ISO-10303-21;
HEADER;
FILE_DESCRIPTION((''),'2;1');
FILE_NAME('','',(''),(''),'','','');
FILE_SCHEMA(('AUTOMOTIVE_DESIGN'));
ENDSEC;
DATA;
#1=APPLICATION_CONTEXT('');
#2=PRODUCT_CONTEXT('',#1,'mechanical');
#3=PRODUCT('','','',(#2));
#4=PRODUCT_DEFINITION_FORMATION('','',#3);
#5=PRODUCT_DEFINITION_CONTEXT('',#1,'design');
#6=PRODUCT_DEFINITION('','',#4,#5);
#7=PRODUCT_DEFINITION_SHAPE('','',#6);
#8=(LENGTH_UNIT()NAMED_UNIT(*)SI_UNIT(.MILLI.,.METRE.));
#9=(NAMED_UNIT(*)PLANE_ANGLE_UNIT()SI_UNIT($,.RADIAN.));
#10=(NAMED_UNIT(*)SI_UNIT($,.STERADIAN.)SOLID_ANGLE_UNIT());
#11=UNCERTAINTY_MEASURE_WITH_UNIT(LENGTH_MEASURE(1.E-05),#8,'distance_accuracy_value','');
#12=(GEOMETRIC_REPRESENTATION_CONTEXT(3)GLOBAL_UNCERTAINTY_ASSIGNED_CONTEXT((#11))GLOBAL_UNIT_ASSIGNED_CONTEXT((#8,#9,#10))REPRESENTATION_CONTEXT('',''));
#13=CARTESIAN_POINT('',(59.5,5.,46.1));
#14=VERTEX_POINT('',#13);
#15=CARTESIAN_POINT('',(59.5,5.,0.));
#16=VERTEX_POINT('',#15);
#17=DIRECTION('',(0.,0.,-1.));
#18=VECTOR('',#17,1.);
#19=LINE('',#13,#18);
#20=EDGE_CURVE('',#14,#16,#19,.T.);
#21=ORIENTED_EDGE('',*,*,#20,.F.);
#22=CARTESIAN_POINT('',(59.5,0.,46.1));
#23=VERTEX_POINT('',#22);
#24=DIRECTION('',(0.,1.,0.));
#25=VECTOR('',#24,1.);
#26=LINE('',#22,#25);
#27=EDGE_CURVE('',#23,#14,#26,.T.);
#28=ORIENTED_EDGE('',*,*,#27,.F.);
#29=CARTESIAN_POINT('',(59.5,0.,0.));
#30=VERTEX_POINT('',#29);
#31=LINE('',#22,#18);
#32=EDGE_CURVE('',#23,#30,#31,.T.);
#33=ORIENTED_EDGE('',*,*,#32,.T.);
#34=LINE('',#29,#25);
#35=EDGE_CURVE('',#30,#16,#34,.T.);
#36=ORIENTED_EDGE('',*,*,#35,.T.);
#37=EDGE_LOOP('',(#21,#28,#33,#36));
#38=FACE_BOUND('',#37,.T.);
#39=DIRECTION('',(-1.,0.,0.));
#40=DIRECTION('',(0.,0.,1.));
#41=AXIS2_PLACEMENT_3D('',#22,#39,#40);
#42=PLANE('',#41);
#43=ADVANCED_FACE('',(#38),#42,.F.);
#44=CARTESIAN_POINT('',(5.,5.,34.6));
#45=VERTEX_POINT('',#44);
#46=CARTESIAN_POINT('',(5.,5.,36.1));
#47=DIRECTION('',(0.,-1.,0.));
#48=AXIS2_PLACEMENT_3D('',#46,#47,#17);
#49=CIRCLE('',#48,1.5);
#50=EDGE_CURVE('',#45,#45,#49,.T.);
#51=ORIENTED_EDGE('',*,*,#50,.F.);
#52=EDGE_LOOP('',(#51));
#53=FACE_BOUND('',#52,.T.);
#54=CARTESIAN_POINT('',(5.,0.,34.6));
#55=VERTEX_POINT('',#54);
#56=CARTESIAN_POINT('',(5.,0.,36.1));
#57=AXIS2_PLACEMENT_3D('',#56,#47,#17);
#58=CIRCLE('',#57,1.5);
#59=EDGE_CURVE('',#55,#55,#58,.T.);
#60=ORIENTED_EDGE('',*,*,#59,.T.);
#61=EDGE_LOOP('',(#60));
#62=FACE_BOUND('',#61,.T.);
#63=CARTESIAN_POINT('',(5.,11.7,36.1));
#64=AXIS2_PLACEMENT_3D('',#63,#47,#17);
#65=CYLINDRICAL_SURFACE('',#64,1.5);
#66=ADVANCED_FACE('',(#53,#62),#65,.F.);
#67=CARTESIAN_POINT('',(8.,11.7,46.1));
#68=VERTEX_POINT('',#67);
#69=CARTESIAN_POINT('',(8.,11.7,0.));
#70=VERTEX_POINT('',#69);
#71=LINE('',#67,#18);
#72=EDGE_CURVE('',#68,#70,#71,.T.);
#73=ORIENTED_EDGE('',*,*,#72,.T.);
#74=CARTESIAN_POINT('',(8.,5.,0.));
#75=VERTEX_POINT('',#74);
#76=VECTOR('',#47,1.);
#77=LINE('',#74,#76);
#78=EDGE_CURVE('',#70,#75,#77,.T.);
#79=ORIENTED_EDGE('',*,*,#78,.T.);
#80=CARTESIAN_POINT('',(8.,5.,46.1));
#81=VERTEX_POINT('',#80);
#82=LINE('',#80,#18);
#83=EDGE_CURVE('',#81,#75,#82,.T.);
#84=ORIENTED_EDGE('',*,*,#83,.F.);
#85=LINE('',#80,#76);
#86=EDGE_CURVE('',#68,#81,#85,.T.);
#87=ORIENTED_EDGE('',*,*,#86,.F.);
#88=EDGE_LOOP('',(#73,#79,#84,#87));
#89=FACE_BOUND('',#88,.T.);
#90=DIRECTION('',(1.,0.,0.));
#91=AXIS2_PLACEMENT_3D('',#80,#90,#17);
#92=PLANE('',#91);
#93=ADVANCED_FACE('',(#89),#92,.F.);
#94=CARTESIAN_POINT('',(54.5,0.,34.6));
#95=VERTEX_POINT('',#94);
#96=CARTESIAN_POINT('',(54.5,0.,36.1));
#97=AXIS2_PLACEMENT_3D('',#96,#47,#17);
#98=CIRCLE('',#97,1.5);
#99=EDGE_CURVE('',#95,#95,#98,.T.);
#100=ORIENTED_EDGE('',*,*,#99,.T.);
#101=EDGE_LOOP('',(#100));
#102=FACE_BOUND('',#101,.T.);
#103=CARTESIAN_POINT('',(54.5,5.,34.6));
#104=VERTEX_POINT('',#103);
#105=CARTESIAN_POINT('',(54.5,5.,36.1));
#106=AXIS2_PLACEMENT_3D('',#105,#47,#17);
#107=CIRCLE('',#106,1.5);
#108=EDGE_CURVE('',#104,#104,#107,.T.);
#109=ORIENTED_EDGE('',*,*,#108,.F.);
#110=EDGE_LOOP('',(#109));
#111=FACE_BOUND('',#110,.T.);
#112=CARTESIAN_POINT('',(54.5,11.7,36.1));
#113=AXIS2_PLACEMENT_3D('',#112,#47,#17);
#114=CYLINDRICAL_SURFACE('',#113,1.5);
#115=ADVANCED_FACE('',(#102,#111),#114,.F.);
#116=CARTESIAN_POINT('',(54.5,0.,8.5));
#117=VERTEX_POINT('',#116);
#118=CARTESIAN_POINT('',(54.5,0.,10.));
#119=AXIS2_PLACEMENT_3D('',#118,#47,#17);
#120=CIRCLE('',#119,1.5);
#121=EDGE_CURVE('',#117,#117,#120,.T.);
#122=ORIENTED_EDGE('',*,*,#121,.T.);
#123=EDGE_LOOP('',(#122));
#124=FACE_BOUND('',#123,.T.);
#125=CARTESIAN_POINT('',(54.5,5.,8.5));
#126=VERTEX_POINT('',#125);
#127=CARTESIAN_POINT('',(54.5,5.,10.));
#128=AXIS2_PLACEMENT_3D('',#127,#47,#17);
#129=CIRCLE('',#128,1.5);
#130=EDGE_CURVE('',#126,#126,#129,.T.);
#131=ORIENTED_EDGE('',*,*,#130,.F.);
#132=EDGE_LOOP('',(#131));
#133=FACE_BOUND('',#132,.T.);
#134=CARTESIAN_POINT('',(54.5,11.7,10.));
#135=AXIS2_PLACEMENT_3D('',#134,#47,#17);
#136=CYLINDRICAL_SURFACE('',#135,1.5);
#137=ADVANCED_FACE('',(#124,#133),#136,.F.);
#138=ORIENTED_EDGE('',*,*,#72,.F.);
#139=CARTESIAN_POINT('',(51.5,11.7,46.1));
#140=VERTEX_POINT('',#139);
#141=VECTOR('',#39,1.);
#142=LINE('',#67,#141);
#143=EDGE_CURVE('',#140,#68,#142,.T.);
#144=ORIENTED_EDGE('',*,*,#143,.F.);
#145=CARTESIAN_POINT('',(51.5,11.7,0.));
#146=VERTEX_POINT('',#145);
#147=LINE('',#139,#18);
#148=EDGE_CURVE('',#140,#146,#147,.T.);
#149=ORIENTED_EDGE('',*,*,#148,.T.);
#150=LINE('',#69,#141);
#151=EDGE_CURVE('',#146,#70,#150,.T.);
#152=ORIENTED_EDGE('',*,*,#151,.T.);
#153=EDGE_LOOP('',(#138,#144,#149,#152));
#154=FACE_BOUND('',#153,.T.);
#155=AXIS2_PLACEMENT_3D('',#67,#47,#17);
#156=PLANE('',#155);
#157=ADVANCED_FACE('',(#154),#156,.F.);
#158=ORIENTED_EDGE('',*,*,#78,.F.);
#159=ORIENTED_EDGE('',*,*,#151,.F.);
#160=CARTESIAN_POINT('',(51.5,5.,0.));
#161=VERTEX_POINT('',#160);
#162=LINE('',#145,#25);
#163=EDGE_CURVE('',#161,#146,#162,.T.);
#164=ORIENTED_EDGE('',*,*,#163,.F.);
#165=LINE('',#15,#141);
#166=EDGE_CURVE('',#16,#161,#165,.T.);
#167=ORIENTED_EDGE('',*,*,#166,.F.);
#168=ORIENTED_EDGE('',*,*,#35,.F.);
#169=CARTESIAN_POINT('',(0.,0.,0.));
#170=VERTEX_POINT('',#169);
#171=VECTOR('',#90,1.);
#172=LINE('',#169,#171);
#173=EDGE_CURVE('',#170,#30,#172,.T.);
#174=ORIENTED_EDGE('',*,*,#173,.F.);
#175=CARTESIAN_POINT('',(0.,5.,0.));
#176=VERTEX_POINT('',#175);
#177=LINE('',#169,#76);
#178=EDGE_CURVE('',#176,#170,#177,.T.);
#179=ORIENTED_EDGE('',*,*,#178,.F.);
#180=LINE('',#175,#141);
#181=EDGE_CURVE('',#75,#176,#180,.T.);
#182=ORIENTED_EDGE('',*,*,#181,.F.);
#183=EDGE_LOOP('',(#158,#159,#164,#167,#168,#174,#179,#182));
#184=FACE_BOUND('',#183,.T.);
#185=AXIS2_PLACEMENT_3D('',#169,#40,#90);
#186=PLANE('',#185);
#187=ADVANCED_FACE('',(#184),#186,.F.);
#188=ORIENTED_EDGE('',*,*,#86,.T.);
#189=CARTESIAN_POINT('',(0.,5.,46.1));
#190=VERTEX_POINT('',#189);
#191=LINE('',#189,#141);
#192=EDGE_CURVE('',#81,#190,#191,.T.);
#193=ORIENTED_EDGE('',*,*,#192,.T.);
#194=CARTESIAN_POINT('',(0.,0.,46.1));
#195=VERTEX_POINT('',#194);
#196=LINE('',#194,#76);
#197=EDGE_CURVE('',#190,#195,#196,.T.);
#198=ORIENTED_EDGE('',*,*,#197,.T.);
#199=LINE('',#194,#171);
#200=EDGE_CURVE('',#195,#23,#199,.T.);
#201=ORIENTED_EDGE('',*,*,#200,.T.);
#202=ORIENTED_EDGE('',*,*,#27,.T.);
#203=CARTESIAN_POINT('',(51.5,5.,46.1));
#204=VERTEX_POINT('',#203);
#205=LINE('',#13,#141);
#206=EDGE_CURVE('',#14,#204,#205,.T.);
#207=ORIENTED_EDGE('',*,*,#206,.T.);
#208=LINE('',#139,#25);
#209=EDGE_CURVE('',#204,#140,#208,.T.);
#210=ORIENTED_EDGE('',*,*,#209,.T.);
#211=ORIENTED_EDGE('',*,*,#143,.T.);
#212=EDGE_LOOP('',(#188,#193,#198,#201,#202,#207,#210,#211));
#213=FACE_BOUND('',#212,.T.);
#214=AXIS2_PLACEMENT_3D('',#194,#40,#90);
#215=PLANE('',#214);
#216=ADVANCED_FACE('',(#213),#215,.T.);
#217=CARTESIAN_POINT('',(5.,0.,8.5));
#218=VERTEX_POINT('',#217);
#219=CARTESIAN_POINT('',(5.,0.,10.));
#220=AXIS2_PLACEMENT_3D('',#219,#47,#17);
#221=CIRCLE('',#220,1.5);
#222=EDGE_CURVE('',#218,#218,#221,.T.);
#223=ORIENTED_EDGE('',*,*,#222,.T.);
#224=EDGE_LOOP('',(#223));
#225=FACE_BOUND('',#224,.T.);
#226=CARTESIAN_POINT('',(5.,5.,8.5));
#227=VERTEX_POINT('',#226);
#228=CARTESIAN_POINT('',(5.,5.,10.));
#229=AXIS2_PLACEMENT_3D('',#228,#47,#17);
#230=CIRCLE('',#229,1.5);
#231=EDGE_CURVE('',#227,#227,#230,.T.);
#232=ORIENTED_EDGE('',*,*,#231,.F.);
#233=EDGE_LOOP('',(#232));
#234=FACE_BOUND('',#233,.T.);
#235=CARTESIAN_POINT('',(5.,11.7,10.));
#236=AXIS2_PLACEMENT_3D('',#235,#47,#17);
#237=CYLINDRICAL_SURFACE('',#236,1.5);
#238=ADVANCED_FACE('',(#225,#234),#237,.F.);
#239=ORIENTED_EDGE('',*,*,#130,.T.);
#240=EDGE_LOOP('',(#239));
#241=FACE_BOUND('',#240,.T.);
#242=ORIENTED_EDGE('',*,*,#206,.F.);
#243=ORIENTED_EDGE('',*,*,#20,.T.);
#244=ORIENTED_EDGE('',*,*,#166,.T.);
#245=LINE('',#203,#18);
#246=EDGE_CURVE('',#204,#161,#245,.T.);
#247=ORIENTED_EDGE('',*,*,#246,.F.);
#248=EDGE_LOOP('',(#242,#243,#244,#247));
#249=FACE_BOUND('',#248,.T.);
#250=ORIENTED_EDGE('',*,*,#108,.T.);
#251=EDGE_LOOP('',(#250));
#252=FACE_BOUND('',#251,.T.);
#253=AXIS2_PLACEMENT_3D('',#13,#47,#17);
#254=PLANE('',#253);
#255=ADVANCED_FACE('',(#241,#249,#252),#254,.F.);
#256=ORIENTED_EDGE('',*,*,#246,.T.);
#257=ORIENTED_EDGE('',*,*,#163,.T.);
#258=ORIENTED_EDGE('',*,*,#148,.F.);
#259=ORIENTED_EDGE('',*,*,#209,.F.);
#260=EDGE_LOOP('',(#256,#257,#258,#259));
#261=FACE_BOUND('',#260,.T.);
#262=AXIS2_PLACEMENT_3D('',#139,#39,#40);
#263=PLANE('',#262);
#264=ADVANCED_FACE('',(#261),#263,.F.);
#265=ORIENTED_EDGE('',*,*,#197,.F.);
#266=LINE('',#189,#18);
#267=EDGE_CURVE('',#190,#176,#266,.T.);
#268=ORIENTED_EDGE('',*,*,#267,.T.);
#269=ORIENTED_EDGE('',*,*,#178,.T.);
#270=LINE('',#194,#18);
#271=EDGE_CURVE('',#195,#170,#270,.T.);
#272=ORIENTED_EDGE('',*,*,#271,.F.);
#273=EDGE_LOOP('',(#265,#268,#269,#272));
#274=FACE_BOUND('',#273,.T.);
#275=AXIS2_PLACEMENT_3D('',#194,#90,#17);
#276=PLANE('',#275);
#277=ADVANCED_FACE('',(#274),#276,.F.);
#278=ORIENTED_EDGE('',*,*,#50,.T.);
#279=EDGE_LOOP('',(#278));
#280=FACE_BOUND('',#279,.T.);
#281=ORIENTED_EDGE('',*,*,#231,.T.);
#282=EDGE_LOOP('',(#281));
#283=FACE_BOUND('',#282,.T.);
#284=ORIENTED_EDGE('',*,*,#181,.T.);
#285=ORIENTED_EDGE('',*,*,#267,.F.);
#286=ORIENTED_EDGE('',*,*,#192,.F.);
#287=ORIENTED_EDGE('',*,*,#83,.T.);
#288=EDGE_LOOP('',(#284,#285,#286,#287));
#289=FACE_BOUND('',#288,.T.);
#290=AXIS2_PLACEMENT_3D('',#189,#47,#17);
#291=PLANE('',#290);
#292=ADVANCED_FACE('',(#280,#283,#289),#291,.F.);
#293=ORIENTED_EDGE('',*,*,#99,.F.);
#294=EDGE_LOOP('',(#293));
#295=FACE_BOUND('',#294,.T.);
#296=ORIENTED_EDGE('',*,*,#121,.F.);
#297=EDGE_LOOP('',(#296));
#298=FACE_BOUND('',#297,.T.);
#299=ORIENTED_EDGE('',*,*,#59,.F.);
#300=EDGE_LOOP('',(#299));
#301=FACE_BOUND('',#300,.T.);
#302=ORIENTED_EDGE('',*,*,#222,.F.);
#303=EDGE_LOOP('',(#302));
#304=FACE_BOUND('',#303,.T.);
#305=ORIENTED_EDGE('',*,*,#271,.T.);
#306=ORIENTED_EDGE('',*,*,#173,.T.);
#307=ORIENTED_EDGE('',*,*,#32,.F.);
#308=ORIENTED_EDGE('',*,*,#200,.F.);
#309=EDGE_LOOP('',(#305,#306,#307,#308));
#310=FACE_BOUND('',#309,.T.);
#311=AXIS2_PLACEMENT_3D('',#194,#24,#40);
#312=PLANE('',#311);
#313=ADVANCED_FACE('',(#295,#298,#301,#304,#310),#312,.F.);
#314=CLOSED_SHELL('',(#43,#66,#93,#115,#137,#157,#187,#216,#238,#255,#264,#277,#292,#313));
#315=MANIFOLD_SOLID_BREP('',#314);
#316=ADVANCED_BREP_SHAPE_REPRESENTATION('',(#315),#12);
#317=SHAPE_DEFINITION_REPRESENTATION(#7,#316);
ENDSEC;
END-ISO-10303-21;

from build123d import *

# Parameters (mm, degrees)
EXTRUDE_1_DEPTH     = 46.1
SKETCH_2_R          = 1.5
CUT_EXTRUDE_1_DEPTH = 77.173158002


with BuildPart() as part:
    # 草图1 → 凸台-拉伸1 (new body)
    with BuildSketch(Plane.XY):
        Polygon((0, 0), (0, 5), (8, 5), (8, 11.7), (51.5, 11.7), (51.5, 5), (59.5, 5), (59.5, 0), align=None)
    extrude(amount=EXTRUDE_1_DEPTH)

    # 草图2 → 切除-拉伸1 (cut, through all)
    with BuildSketch(Plane.XZ):
        with Locations(Location((5, 36.1, 0), (0, 0, 270))):
            Circle(SKETCH_2_R)
        with Locations(Location((5, 10, 0), (0, 0, 270))):
            Circle(SKETCH_2_R)
        with Locations(Location((54.5, 36.1, 0), (0, 0, 270))):
            Circle(SKETCH_2_R)
        with Locations(Location((54.5, 10, 0), (0, 0, 270))):
            Circle(SKETCH_2_R)
    extrude(amount=-CUT_EXTRUDE_1_DEPTH, mode=Mode.SUBTRACT)


solid = part.part
